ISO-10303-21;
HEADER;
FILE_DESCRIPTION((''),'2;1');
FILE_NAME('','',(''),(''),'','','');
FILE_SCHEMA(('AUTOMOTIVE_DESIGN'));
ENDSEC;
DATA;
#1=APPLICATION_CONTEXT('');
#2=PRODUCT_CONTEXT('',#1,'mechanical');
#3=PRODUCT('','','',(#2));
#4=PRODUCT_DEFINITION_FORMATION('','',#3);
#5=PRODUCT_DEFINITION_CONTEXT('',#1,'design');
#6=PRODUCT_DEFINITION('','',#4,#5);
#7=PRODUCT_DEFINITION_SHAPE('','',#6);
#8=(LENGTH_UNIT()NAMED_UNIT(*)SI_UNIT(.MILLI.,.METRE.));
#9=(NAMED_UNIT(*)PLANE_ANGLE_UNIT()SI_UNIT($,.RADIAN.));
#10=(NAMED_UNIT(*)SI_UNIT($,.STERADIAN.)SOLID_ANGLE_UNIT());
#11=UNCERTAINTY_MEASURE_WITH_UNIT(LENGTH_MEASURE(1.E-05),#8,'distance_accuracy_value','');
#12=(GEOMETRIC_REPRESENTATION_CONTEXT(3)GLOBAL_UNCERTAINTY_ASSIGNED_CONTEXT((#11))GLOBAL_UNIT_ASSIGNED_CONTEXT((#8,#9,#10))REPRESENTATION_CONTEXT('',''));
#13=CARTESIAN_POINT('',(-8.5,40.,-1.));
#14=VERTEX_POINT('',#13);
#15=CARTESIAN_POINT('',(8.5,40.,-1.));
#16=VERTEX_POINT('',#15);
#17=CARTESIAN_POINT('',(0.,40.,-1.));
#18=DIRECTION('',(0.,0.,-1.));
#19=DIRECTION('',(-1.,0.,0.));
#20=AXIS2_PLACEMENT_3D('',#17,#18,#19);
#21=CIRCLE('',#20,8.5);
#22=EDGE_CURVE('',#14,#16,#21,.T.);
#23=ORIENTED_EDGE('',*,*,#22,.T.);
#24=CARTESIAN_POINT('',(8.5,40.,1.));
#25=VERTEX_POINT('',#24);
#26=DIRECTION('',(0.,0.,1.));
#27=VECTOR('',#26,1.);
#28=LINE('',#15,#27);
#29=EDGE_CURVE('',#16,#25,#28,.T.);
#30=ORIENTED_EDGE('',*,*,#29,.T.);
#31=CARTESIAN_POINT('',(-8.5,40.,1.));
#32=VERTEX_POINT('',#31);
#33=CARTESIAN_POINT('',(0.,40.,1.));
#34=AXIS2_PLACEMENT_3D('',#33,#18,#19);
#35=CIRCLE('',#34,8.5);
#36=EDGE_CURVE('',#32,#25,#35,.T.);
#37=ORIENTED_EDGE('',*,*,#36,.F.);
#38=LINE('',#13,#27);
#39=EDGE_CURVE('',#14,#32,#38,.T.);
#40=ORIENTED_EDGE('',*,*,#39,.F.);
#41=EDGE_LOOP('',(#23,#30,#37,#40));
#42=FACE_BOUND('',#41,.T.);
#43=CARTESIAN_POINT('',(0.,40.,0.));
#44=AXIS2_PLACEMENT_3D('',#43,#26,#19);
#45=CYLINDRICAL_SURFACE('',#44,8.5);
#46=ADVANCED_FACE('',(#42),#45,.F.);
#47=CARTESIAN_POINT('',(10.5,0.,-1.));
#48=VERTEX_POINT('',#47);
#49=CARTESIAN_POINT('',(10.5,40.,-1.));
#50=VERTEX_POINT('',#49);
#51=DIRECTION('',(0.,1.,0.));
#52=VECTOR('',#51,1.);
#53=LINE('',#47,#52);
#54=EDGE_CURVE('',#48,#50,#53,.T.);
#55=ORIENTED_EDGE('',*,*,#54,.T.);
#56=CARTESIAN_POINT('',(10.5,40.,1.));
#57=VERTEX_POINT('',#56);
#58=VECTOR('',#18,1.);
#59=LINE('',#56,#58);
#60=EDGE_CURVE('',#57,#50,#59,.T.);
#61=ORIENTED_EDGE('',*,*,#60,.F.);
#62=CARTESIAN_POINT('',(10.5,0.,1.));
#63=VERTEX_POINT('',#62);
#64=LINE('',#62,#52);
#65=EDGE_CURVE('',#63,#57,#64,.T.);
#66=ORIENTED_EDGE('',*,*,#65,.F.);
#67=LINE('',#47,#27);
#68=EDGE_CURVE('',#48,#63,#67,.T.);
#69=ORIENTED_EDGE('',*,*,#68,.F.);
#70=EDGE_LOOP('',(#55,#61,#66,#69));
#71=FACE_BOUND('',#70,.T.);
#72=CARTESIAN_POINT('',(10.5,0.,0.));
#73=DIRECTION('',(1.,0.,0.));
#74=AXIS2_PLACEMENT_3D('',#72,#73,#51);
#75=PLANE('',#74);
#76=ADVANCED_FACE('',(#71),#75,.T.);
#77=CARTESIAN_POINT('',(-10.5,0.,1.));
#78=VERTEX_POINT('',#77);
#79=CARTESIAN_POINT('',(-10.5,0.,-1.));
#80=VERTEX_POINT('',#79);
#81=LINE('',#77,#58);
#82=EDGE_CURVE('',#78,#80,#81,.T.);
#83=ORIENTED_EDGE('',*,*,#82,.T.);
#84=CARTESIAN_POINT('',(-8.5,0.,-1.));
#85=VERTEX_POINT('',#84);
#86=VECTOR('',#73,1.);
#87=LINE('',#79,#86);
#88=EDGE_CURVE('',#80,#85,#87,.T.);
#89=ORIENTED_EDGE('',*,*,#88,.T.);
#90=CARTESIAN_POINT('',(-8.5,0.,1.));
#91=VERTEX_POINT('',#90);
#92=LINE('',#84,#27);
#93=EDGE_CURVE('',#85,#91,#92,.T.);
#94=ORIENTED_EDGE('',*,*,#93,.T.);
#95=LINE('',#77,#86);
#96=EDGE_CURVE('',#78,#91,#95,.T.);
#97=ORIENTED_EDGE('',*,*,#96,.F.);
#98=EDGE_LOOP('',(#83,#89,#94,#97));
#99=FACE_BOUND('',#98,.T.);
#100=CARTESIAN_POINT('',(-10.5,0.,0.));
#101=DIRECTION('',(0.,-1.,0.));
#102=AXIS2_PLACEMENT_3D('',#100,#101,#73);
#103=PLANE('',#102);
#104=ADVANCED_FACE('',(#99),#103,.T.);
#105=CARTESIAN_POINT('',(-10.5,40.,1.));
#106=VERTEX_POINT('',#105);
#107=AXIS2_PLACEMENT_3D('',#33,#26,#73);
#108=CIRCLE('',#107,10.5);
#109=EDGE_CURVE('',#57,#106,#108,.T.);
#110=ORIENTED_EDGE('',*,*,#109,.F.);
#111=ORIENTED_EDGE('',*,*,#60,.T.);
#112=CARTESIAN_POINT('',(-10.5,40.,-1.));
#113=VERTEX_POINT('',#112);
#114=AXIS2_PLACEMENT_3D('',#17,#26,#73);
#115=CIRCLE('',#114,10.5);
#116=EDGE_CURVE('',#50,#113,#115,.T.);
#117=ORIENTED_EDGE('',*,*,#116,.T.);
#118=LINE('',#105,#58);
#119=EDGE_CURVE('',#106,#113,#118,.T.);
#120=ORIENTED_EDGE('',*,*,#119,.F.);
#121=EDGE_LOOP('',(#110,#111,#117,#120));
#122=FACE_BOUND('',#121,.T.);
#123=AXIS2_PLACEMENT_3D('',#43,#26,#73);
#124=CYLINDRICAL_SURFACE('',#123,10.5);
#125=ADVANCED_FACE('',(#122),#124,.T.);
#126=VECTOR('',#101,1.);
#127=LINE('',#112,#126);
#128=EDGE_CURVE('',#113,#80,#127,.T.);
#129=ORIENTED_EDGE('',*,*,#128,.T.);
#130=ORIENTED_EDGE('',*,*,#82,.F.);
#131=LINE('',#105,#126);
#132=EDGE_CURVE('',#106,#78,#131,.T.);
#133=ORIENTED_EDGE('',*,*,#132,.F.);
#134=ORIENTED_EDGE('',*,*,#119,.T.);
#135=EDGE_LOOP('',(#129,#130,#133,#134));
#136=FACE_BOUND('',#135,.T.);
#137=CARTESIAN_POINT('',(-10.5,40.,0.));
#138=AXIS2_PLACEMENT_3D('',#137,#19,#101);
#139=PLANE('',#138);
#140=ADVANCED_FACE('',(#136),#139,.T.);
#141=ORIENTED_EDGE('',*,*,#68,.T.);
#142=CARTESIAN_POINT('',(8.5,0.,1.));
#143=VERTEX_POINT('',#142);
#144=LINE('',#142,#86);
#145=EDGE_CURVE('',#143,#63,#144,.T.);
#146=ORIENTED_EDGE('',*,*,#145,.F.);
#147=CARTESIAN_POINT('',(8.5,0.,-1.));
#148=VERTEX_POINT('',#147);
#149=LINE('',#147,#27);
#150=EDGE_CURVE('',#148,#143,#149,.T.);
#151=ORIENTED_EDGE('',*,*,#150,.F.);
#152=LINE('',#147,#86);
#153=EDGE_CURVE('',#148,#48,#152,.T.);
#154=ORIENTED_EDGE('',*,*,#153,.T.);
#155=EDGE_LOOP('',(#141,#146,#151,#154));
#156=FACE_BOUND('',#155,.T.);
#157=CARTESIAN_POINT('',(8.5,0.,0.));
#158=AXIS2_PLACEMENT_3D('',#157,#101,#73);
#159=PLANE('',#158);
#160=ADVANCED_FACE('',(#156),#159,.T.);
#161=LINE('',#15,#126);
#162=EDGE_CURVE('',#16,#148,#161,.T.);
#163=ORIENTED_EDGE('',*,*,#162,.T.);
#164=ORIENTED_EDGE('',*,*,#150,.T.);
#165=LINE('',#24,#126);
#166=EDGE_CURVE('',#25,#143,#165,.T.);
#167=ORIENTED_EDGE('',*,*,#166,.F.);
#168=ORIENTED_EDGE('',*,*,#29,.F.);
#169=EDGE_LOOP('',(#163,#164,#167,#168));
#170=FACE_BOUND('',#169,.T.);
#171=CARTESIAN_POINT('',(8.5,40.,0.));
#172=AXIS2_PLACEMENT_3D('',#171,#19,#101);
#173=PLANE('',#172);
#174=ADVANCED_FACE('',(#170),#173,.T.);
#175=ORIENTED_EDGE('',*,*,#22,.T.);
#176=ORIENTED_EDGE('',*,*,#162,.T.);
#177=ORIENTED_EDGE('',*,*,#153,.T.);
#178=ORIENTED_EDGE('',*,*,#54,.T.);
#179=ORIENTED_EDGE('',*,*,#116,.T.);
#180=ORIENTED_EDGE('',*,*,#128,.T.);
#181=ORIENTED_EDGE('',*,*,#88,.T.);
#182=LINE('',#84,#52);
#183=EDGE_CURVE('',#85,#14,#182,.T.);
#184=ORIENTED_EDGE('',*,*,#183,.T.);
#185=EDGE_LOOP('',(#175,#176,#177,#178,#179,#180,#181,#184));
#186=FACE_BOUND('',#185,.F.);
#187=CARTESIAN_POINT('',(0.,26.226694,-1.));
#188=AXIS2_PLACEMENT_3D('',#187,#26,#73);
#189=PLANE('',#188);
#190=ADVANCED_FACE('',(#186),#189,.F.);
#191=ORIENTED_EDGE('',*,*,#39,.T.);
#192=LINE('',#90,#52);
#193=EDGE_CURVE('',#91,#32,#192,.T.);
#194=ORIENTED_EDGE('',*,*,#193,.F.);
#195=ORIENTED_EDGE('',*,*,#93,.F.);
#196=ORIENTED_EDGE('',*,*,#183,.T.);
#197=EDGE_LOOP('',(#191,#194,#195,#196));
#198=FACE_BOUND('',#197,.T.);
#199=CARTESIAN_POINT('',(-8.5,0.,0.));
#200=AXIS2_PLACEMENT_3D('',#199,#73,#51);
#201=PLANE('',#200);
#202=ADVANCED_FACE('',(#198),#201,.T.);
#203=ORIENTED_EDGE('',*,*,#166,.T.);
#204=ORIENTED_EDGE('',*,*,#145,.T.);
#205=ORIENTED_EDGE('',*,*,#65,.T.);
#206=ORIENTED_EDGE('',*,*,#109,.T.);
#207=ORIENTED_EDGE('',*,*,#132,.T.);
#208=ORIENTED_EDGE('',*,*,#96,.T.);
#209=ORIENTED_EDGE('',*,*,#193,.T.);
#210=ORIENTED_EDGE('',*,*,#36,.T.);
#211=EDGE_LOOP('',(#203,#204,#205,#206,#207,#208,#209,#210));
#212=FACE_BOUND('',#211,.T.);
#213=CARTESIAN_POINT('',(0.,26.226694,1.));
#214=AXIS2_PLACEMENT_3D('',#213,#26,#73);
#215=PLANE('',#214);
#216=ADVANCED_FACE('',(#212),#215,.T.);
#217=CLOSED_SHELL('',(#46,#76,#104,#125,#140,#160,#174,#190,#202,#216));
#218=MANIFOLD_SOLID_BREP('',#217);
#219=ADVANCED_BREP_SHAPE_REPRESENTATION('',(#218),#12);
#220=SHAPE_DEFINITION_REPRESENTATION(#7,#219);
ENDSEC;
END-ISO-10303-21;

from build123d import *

# Parameters (mm, degrees)
F1_DEPTH = 1


with BuildPart() as f1:
    # F0 (on Top) → F1 (new body, symmetric)
    with BuildSketch(Plane.XY):
        with BuildLine():
            Line((-10.5, 0), (-8.5, 0))
            Line((-8.5, 0), (-8.5, 40))
            ThreePointArc((-8.5, 40), (0, 48.5), (8.5, 40))
            Line((8.5, 40), (8.5, 0))
            Line((8.5, 0), (10.5, 0))
            Line((10.5, 0), (10.5, 40))
            ThreePointArc((10.5, 40), (0, 50.5), (-10.5, 40))
            Line((-10.5, 40), (-10.5, 0))
        make_face()
    extrude(amount=F1_DEPTH, both=True)


solid = f1.part
